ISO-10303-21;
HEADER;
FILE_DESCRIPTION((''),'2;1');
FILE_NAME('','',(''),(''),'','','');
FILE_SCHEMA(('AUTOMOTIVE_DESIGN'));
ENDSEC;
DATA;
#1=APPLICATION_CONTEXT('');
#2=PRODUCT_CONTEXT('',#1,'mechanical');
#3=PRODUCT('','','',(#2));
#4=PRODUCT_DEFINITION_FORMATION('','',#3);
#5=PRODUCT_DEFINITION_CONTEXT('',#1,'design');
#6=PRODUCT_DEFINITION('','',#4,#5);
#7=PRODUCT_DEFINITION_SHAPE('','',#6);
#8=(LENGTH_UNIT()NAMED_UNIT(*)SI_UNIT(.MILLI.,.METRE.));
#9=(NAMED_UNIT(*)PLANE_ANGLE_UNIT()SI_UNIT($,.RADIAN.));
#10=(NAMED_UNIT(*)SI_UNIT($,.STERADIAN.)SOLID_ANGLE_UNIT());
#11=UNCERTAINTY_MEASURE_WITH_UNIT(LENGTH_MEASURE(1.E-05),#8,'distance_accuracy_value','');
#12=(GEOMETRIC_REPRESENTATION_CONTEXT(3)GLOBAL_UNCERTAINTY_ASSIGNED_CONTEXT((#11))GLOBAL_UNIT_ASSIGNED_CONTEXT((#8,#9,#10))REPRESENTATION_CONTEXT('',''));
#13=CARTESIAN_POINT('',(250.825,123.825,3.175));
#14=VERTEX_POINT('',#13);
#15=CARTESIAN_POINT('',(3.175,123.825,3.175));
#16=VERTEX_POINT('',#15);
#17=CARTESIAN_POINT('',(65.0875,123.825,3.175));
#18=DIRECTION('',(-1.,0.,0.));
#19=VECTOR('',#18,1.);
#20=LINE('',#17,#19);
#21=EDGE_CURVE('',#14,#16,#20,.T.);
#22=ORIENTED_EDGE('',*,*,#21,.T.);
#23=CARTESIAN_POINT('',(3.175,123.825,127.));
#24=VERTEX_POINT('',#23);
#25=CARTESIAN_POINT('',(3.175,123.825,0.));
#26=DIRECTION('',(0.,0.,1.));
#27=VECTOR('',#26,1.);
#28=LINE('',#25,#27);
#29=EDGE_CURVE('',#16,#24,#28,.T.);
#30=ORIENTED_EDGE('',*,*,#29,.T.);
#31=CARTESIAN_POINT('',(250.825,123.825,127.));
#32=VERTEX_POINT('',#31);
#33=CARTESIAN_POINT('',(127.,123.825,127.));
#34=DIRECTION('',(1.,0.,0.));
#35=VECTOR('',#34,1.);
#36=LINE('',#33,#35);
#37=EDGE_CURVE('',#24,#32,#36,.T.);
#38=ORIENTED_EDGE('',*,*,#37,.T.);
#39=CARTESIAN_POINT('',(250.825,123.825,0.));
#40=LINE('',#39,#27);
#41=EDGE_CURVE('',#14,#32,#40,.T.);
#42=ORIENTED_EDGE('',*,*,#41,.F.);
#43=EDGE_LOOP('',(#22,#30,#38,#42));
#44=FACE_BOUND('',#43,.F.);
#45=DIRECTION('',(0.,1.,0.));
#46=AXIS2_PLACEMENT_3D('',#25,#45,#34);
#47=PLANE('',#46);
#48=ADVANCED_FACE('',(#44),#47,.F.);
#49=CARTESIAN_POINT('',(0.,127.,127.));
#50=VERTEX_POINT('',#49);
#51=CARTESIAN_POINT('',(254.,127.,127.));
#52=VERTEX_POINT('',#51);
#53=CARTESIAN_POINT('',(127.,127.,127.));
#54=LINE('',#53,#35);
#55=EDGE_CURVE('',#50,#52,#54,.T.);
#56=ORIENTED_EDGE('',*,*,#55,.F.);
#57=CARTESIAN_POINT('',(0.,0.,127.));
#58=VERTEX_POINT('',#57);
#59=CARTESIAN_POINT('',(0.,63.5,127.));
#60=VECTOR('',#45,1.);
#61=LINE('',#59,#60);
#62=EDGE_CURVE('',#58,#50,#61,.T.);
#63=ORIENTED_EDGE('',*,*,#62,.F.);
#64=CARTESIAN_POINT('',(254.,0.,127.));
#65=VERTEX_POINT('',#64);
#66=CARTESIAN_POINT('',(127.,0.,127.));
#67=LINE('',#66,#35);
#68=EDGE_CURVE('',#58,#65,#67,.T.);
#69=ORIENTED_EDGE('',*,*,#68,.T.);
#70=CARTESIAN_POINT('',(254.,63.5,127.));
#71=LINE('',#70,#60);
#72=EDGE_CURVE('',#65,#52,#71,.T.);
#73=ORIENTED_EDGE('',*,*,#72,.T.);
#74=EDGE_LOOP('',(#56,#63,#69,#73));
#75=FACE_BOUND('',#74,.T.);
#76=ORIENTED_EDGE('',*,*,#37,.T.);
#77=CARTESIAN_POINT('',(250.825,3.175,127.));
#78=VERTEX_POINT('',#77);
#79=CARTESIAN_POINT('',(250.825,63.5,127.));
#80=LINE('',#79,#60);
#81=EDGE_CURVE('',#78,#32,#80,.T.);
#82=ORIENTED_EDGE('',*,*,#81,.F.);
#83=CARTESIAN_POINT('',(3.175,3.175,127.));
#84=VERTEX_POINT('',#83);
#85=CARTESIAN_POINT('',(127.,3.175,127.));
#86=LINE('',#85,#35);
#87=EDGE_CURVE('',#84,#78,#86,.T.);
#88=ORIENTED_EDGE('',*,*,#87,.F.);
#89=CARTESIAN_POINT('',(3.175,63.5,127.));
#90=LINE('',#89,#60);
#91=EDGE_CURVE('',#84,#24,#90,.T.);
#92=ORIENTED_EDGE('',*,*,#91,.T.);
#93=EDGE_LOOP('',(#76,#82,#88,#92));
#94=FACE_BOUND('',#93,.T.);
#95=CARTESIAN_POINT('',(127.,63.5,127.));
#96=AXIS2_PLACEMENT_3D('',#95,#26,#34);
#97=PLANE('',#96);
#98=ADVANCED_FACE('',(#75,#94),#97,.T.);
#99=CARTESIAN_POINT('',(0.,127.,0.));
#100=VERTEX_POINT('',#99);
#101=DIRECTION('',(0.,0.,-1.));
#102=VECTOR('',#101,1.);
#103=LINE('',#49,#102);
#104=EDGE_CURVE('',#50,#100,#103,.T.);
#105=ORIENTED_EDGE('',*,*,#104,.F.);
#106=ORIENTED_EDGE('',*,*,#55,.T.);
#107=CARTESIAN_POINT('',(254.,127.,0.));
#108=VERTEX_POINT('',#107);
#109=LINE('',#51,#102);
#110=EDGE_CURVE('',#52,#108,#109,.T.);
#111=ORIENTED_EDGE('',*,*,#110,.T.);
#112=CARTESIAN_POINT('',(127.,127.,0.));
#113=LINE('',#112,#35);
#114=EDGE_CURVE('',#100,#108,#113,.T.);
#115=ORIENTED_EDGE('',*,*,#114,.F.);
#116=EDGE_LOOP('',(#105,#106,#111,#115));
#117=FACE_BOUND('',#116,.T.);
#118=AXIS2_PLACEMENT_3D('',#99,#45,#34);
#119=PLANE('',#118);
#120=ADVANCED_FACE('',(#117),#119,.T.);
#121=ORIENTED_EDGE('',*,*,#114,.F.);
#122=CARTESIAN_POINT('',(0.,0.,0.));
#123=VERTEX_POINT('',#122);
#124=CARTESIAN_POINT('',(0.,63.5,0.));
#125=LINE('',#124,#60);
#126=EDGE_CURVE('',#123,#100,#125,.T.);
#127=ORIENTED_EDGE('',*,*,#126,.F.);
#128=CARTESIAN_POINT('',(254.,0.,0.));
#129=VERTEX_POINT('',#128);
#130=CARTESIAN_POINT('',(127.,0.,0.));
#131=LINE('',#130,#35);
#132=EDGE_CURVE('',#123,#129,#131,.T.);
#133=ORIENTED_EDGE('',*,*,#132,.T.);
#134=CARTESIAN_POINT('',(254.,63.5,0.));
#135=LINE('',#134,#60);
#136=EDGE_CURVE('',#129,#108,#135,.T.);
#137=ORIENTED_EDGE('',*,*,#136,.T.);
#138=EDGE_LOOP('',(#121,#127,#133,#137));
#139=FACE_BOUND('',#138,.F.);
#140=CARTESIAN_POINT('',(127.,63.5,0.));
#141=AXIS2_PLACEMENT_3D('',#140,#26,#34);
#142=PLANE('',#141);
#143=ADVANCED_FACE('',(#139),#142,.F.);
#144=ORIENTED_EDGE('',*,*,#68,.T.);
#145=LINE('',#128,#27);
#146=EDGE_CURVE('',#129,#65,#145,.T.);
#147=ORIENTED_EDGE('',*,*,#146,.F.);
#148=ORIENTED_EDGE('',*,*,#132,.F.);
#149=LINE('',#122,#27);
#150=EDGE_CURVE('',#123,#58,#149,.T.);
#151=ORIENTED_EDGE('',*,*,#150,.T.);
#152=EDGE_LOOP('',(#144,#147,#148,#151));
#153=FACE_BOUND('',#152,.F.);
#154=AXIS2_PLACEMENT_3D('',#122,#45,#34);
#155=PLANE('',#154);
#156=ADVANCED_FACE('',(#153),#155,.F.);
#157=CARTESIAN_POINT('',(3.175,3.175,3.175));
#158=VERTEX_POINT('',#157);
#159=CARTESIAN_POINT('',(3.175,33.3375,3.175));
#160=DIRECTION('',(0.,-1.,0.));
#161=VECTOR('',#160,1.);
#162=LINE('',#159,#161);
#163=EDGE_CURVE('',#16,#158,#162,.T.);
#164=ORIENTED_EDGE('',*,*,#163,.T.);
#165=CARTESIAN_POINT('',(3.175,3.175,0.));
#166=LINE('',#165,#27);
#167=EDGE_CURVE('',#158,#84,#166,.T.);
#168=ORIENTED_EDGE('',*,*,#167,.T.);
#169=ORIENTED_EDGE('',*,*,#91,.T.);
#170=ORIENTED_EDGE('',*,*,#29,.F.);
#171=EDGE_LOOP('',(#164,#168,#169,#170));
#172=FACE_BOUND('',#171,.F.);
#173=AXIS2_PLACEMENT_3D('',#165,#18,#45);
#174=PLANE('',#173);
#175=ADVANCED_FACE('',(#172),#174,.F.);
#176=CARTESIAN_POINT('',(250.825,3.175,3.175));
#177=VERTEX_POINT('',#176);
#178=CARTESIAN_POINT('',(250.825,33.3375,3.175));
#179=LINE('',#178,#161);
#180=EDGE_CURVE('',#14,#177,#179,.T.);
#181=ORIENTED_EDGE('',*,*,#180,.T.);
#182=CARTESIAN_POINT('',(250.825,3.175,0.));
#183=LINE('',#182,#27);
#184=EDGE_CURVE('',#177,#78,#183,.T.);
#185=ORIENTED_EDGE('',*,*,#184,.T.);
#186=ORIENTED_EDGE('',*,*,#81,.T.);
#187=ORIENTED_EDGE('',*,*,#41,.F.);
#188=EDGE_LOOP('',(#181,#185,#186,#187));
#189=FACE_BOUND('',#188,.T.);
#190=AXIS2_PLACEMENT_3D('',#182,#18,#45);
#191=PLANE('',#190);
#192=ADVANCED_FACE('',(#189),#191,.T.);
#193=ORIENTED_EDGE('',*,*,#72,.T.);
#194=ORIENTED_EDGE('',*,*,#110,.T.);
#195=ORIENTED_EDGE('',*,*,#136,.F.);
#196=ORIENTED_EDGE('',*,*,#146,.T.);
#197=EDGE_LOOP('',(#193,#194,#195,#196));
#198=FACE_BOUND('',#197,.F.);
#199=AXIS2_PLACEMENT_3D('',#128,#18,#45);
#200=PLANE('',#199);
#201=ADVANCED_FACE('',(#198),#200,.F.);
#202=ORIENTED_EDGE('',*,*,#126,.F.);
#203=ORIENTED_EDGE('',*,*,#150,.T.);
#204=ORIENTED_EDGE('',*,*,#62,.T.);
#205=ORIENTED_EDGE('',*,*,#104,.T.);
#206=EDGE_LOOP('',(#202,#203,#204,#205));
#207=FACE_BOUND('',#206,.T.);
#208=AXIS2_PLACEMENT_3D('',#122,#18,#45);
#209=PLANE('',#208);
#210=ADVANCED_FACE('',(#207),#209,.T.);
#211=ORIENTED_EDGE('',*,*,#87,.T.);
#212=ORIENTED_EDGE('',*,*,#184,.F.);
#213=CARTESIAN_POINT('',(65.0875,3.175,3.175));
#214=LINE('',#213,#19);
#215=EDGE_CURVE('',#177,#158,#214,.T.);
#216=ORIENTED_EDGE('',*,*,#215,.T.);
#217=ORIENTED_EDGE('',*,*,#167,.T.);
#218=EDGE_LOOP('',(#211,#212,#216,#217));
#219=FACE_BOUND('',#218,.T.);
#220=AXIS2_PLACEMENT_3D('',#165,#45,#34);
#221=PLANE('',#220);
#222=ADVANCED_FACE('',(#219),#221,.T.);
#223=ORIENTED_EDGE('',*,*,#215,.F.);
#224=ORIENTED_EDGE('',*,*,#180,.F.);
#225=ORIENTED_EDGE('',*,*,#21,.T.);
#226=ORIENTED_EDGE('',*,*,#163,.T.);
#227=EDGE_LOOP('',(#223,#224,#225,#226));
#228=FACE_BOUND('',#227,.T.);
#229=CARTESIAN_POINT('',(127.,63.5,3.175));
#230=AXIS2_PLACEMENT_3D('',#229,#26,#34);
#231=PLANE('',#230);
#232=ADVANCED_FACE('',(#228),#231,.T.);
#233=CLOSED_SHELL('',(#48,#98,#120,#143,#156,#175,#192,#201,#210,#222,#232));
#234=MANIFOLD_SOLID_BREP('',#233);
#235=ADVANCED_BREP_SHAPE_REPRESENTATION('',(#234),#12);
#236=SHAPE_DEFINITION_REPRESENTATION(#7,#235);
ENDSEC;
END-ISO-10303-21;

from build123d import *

# Parameters (mm, degrees)
F1_W     = 254
F1_H     = 127
F2_DEPTH = 3.175
F0_W     = 254
F0_H     = 127
F0_W_2   = 247.65
F0_H_2   = 120.65
F3_DEPTH = 127


with BuildPart() as f2:
    # F1 (on Top) → F2 (new body)
    with BuildSketch(Plane.XY):
        with Locations((127, 63.5)):
            Rectangle(F1_W, F1_H)
    extrude(amount=F2_DEPTH)

    # F0 (on Top) → F3 (join)
    with BuildSketch(Plane.XY):
        with Locations((127, 63.5)):
            Rectangle(F0_W, F0_H)
        with Locations((127, 63.5)):
            Rectangle(F0_W_2, F0_H_2, mode=Mode.SUBTRACT)
    extrude(amount=F3_DEPTH)


solid = f2.part
